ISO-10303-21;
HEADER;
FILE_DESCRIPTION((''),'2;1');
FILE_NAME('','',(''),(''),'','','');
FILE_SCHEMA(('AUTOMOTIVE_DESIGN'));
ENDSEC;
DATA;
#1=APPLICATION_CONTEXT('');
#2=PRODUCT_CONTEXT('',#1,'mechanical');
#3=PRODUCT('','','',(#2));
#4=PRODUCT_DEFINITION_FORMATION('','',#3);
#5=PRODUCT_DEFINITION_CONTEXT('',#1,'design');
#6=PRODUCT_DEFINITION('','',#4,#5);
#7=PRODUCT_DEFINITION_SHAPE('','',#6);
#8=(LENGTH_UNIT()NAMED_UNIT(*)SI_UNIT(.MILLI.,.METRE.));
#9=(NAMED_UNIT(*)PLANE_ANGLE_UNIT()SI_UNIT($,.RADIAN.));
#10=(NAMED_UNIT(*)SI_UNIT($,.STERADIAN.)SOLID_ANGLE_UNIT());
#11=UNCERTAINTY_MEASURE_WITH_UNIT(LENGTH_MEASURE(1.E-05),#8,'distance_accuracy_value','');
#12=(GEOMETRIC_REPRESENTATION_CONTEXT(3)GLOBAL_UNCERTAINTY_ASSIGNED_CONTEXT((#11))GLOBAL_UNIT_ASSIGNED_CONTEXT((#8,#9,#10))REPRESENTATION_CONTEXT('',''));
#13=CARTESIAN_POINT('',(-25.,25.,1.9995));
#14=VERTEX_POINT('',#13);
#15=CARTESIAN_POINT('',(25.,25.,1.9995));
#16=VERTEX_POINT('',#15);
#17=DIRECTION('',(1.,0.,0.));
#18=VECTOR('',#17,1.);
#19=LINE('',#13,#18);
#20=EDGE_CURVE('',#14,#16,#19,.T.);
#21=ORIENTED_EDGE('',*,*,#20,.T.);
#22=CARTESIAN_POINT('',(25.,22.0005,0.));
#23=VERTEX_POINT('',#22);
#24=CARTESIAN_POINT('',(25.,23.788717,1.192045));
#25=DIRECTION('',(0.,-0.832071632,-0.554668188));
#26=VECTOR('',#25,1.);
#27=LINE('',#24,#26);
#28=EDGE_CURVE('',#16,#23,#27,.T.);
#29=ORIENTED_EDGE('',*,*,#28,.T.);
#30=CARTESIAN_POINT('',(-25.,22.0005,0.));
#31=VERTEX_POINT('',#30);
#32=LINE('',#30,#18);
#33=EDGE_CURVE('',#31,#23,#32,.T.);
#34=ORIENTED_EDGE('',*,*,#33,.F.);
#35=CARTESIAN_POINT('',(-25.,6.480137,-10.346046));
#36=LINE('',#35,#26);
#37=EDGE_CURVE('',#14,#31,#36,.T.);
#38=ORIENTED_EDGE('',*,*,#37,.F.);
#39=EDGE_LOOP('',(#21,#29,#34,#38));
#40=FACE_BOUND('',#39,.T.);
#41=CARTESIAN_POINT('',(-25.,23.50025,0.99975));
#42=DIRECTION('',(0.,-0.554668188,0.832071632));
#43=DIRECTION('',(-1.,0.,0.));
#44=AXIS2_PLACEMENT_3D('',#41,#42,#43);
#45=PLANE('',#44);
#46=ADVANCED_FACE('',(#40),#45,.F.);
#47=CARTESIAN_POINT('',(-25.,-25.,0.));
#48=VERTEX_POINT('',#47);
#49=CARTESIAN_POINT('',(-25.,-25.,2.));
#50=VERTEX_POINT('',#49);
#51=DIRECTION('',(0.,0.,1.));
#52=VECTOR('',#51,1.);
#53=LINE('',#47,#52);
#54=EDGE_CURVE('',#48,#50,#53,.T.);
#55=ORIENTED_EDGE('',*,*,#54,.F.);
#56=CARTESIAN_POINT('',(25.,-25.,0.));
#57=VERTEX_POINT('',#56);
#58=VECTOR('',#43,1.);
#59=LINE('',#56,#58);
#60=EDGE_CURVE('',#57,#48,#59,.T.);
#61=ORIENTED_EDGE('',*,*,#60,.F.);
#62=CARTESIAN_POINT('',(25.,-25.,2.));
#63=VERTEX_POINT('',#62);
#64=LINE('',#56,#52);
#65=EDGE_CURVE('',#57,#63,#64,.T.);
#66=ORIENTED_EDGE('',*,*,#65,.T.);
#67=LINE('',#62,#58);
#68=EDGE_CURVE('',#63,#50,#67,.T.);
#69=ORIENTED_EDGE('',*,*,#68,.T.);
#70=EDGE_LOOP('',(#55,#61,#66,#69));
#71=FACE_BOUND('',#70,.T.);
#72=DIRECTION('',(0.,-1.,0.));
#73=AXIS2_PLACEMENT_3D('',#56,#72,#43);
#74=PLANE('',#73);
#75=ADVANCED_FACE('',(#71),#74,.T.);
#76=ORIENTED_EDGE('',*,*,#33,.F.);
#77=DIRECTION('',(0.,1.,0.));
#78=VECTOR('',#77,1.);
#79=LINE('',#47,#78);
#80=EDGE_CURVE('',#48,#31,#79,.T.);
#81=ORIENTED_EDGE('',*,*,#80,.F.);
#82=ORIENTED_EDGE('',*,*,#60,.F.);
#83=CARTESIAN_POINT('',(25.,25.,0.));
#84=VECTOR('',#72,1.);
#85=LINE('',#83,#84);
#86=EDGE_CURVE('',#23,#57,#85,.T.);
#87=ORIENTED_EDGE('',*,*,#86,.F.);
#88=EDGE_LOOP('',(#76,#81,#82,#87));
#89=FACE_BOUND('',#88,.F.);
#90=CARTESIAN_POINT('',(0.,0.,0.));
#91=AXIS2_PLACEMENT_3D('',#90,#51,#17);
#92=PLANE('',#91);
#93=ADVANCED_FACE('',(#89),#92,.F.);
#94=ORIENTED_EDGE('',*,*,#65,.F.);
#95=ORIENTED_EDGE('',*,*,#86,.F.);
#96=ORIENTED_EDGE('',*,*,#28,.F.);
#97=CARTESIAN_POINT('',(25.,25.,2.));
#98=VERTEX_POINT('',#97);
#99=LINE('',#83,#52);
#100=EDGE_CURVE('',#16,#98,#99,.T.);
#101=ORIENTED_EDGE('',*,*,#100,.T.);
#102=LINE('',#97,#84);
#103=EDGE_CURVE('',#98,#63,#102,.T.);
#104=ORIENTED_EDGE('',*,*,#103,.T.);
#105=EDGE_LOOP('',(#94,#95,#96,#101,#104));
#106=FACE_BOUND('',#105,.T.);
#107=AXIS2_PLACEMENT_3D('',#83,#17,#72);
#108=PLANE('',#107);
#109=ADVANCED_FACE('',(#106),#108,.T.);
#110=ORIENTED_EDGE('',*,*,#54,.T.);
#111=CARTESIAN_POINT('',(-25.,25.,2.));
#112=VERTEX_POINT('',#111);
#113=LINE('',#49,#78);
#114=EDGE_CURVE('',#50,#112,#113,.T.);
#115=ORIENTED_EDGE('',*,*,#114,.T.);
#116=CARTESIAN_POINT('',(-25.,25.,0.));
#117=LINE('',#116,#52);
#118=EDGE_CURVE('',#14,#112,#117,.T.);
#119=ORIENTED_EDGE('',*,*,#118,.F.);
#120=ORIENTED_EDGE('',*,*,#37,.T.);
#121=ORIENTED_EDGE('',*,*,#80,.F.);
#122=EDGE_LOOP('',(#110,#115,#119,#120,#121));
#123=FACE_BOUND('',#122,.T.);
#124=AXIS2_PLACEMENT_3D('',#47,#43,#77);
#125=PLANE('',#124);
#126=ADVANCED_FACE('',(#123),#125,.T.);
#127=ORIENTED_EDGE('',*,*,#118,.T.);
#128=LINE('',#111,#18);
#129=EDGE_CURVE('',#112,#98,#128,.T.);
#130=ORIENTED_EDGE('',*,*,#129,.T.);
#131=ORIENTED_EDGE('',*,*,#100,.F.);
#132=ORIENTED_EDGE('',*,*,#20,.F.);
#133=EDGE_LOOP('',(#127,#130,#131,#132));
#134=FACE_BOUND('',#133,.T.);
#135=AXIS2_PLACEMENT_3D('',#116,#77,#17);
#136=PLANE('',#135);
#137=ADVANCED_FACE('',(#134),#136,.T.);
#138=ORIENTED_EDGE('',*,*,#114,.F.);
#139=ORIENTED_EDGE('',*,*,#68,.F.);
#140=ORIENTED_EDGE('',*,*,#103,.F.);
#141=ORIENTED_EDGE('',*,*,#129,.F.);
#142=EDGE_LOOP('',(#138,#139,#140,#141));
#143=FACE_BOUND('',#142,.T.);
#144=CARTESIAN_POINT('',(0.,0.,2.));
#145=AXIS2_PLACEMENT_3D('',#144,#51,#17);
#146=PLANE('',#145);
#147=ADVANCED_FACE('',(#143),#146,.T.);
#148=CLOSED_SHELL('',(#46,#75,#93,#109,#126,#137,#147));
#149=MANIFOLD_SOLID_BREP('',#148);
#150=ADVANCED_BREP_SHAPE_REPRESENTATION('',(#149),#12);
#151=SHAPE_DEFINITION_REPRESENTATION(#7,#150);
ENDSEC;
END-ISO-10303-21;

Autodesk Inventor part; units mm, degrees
ref_plane "YZ Plane" through (0, 0, 0) normal (1, 0, 0) x (0, 1, 0)
ref_plane "XZ Plane" through (0, 0, 0) normal (0, 1, 0) x (-1, 0, 0)
ref_plane "XY Plane" through (0, 0, 0) normal (0, 0, 1) x (1, 0, 0)
sketch "Skizze1" plane through (0, 0, 0) normal (0, 0, 1) x (1, 0, 0)
  line L0 (-25, 25) -> (25, 25)
  line L1 (25, 25) -> (25, -25)
  line L2 (25, -25) -> (-25, -25)
  line L3 (-25, -25) -> (-25, 25)
  line L4 (-25, 25) -> (25, -25) construction
  line L5 (25, 25) -> (-25, -25) construction
  point P0 (0, 0)
  dimension "d0" = 50
  dimension "d1" = 50
extrude "Extrusion1" add sketch "Skizze1" along normal blind 2
chamfer "Fase1" distance 2 distance2 3 1 edges at (0, 25, 0) measured on face at (8.3333, 25, 0.6667)
properties part number "plate90"
